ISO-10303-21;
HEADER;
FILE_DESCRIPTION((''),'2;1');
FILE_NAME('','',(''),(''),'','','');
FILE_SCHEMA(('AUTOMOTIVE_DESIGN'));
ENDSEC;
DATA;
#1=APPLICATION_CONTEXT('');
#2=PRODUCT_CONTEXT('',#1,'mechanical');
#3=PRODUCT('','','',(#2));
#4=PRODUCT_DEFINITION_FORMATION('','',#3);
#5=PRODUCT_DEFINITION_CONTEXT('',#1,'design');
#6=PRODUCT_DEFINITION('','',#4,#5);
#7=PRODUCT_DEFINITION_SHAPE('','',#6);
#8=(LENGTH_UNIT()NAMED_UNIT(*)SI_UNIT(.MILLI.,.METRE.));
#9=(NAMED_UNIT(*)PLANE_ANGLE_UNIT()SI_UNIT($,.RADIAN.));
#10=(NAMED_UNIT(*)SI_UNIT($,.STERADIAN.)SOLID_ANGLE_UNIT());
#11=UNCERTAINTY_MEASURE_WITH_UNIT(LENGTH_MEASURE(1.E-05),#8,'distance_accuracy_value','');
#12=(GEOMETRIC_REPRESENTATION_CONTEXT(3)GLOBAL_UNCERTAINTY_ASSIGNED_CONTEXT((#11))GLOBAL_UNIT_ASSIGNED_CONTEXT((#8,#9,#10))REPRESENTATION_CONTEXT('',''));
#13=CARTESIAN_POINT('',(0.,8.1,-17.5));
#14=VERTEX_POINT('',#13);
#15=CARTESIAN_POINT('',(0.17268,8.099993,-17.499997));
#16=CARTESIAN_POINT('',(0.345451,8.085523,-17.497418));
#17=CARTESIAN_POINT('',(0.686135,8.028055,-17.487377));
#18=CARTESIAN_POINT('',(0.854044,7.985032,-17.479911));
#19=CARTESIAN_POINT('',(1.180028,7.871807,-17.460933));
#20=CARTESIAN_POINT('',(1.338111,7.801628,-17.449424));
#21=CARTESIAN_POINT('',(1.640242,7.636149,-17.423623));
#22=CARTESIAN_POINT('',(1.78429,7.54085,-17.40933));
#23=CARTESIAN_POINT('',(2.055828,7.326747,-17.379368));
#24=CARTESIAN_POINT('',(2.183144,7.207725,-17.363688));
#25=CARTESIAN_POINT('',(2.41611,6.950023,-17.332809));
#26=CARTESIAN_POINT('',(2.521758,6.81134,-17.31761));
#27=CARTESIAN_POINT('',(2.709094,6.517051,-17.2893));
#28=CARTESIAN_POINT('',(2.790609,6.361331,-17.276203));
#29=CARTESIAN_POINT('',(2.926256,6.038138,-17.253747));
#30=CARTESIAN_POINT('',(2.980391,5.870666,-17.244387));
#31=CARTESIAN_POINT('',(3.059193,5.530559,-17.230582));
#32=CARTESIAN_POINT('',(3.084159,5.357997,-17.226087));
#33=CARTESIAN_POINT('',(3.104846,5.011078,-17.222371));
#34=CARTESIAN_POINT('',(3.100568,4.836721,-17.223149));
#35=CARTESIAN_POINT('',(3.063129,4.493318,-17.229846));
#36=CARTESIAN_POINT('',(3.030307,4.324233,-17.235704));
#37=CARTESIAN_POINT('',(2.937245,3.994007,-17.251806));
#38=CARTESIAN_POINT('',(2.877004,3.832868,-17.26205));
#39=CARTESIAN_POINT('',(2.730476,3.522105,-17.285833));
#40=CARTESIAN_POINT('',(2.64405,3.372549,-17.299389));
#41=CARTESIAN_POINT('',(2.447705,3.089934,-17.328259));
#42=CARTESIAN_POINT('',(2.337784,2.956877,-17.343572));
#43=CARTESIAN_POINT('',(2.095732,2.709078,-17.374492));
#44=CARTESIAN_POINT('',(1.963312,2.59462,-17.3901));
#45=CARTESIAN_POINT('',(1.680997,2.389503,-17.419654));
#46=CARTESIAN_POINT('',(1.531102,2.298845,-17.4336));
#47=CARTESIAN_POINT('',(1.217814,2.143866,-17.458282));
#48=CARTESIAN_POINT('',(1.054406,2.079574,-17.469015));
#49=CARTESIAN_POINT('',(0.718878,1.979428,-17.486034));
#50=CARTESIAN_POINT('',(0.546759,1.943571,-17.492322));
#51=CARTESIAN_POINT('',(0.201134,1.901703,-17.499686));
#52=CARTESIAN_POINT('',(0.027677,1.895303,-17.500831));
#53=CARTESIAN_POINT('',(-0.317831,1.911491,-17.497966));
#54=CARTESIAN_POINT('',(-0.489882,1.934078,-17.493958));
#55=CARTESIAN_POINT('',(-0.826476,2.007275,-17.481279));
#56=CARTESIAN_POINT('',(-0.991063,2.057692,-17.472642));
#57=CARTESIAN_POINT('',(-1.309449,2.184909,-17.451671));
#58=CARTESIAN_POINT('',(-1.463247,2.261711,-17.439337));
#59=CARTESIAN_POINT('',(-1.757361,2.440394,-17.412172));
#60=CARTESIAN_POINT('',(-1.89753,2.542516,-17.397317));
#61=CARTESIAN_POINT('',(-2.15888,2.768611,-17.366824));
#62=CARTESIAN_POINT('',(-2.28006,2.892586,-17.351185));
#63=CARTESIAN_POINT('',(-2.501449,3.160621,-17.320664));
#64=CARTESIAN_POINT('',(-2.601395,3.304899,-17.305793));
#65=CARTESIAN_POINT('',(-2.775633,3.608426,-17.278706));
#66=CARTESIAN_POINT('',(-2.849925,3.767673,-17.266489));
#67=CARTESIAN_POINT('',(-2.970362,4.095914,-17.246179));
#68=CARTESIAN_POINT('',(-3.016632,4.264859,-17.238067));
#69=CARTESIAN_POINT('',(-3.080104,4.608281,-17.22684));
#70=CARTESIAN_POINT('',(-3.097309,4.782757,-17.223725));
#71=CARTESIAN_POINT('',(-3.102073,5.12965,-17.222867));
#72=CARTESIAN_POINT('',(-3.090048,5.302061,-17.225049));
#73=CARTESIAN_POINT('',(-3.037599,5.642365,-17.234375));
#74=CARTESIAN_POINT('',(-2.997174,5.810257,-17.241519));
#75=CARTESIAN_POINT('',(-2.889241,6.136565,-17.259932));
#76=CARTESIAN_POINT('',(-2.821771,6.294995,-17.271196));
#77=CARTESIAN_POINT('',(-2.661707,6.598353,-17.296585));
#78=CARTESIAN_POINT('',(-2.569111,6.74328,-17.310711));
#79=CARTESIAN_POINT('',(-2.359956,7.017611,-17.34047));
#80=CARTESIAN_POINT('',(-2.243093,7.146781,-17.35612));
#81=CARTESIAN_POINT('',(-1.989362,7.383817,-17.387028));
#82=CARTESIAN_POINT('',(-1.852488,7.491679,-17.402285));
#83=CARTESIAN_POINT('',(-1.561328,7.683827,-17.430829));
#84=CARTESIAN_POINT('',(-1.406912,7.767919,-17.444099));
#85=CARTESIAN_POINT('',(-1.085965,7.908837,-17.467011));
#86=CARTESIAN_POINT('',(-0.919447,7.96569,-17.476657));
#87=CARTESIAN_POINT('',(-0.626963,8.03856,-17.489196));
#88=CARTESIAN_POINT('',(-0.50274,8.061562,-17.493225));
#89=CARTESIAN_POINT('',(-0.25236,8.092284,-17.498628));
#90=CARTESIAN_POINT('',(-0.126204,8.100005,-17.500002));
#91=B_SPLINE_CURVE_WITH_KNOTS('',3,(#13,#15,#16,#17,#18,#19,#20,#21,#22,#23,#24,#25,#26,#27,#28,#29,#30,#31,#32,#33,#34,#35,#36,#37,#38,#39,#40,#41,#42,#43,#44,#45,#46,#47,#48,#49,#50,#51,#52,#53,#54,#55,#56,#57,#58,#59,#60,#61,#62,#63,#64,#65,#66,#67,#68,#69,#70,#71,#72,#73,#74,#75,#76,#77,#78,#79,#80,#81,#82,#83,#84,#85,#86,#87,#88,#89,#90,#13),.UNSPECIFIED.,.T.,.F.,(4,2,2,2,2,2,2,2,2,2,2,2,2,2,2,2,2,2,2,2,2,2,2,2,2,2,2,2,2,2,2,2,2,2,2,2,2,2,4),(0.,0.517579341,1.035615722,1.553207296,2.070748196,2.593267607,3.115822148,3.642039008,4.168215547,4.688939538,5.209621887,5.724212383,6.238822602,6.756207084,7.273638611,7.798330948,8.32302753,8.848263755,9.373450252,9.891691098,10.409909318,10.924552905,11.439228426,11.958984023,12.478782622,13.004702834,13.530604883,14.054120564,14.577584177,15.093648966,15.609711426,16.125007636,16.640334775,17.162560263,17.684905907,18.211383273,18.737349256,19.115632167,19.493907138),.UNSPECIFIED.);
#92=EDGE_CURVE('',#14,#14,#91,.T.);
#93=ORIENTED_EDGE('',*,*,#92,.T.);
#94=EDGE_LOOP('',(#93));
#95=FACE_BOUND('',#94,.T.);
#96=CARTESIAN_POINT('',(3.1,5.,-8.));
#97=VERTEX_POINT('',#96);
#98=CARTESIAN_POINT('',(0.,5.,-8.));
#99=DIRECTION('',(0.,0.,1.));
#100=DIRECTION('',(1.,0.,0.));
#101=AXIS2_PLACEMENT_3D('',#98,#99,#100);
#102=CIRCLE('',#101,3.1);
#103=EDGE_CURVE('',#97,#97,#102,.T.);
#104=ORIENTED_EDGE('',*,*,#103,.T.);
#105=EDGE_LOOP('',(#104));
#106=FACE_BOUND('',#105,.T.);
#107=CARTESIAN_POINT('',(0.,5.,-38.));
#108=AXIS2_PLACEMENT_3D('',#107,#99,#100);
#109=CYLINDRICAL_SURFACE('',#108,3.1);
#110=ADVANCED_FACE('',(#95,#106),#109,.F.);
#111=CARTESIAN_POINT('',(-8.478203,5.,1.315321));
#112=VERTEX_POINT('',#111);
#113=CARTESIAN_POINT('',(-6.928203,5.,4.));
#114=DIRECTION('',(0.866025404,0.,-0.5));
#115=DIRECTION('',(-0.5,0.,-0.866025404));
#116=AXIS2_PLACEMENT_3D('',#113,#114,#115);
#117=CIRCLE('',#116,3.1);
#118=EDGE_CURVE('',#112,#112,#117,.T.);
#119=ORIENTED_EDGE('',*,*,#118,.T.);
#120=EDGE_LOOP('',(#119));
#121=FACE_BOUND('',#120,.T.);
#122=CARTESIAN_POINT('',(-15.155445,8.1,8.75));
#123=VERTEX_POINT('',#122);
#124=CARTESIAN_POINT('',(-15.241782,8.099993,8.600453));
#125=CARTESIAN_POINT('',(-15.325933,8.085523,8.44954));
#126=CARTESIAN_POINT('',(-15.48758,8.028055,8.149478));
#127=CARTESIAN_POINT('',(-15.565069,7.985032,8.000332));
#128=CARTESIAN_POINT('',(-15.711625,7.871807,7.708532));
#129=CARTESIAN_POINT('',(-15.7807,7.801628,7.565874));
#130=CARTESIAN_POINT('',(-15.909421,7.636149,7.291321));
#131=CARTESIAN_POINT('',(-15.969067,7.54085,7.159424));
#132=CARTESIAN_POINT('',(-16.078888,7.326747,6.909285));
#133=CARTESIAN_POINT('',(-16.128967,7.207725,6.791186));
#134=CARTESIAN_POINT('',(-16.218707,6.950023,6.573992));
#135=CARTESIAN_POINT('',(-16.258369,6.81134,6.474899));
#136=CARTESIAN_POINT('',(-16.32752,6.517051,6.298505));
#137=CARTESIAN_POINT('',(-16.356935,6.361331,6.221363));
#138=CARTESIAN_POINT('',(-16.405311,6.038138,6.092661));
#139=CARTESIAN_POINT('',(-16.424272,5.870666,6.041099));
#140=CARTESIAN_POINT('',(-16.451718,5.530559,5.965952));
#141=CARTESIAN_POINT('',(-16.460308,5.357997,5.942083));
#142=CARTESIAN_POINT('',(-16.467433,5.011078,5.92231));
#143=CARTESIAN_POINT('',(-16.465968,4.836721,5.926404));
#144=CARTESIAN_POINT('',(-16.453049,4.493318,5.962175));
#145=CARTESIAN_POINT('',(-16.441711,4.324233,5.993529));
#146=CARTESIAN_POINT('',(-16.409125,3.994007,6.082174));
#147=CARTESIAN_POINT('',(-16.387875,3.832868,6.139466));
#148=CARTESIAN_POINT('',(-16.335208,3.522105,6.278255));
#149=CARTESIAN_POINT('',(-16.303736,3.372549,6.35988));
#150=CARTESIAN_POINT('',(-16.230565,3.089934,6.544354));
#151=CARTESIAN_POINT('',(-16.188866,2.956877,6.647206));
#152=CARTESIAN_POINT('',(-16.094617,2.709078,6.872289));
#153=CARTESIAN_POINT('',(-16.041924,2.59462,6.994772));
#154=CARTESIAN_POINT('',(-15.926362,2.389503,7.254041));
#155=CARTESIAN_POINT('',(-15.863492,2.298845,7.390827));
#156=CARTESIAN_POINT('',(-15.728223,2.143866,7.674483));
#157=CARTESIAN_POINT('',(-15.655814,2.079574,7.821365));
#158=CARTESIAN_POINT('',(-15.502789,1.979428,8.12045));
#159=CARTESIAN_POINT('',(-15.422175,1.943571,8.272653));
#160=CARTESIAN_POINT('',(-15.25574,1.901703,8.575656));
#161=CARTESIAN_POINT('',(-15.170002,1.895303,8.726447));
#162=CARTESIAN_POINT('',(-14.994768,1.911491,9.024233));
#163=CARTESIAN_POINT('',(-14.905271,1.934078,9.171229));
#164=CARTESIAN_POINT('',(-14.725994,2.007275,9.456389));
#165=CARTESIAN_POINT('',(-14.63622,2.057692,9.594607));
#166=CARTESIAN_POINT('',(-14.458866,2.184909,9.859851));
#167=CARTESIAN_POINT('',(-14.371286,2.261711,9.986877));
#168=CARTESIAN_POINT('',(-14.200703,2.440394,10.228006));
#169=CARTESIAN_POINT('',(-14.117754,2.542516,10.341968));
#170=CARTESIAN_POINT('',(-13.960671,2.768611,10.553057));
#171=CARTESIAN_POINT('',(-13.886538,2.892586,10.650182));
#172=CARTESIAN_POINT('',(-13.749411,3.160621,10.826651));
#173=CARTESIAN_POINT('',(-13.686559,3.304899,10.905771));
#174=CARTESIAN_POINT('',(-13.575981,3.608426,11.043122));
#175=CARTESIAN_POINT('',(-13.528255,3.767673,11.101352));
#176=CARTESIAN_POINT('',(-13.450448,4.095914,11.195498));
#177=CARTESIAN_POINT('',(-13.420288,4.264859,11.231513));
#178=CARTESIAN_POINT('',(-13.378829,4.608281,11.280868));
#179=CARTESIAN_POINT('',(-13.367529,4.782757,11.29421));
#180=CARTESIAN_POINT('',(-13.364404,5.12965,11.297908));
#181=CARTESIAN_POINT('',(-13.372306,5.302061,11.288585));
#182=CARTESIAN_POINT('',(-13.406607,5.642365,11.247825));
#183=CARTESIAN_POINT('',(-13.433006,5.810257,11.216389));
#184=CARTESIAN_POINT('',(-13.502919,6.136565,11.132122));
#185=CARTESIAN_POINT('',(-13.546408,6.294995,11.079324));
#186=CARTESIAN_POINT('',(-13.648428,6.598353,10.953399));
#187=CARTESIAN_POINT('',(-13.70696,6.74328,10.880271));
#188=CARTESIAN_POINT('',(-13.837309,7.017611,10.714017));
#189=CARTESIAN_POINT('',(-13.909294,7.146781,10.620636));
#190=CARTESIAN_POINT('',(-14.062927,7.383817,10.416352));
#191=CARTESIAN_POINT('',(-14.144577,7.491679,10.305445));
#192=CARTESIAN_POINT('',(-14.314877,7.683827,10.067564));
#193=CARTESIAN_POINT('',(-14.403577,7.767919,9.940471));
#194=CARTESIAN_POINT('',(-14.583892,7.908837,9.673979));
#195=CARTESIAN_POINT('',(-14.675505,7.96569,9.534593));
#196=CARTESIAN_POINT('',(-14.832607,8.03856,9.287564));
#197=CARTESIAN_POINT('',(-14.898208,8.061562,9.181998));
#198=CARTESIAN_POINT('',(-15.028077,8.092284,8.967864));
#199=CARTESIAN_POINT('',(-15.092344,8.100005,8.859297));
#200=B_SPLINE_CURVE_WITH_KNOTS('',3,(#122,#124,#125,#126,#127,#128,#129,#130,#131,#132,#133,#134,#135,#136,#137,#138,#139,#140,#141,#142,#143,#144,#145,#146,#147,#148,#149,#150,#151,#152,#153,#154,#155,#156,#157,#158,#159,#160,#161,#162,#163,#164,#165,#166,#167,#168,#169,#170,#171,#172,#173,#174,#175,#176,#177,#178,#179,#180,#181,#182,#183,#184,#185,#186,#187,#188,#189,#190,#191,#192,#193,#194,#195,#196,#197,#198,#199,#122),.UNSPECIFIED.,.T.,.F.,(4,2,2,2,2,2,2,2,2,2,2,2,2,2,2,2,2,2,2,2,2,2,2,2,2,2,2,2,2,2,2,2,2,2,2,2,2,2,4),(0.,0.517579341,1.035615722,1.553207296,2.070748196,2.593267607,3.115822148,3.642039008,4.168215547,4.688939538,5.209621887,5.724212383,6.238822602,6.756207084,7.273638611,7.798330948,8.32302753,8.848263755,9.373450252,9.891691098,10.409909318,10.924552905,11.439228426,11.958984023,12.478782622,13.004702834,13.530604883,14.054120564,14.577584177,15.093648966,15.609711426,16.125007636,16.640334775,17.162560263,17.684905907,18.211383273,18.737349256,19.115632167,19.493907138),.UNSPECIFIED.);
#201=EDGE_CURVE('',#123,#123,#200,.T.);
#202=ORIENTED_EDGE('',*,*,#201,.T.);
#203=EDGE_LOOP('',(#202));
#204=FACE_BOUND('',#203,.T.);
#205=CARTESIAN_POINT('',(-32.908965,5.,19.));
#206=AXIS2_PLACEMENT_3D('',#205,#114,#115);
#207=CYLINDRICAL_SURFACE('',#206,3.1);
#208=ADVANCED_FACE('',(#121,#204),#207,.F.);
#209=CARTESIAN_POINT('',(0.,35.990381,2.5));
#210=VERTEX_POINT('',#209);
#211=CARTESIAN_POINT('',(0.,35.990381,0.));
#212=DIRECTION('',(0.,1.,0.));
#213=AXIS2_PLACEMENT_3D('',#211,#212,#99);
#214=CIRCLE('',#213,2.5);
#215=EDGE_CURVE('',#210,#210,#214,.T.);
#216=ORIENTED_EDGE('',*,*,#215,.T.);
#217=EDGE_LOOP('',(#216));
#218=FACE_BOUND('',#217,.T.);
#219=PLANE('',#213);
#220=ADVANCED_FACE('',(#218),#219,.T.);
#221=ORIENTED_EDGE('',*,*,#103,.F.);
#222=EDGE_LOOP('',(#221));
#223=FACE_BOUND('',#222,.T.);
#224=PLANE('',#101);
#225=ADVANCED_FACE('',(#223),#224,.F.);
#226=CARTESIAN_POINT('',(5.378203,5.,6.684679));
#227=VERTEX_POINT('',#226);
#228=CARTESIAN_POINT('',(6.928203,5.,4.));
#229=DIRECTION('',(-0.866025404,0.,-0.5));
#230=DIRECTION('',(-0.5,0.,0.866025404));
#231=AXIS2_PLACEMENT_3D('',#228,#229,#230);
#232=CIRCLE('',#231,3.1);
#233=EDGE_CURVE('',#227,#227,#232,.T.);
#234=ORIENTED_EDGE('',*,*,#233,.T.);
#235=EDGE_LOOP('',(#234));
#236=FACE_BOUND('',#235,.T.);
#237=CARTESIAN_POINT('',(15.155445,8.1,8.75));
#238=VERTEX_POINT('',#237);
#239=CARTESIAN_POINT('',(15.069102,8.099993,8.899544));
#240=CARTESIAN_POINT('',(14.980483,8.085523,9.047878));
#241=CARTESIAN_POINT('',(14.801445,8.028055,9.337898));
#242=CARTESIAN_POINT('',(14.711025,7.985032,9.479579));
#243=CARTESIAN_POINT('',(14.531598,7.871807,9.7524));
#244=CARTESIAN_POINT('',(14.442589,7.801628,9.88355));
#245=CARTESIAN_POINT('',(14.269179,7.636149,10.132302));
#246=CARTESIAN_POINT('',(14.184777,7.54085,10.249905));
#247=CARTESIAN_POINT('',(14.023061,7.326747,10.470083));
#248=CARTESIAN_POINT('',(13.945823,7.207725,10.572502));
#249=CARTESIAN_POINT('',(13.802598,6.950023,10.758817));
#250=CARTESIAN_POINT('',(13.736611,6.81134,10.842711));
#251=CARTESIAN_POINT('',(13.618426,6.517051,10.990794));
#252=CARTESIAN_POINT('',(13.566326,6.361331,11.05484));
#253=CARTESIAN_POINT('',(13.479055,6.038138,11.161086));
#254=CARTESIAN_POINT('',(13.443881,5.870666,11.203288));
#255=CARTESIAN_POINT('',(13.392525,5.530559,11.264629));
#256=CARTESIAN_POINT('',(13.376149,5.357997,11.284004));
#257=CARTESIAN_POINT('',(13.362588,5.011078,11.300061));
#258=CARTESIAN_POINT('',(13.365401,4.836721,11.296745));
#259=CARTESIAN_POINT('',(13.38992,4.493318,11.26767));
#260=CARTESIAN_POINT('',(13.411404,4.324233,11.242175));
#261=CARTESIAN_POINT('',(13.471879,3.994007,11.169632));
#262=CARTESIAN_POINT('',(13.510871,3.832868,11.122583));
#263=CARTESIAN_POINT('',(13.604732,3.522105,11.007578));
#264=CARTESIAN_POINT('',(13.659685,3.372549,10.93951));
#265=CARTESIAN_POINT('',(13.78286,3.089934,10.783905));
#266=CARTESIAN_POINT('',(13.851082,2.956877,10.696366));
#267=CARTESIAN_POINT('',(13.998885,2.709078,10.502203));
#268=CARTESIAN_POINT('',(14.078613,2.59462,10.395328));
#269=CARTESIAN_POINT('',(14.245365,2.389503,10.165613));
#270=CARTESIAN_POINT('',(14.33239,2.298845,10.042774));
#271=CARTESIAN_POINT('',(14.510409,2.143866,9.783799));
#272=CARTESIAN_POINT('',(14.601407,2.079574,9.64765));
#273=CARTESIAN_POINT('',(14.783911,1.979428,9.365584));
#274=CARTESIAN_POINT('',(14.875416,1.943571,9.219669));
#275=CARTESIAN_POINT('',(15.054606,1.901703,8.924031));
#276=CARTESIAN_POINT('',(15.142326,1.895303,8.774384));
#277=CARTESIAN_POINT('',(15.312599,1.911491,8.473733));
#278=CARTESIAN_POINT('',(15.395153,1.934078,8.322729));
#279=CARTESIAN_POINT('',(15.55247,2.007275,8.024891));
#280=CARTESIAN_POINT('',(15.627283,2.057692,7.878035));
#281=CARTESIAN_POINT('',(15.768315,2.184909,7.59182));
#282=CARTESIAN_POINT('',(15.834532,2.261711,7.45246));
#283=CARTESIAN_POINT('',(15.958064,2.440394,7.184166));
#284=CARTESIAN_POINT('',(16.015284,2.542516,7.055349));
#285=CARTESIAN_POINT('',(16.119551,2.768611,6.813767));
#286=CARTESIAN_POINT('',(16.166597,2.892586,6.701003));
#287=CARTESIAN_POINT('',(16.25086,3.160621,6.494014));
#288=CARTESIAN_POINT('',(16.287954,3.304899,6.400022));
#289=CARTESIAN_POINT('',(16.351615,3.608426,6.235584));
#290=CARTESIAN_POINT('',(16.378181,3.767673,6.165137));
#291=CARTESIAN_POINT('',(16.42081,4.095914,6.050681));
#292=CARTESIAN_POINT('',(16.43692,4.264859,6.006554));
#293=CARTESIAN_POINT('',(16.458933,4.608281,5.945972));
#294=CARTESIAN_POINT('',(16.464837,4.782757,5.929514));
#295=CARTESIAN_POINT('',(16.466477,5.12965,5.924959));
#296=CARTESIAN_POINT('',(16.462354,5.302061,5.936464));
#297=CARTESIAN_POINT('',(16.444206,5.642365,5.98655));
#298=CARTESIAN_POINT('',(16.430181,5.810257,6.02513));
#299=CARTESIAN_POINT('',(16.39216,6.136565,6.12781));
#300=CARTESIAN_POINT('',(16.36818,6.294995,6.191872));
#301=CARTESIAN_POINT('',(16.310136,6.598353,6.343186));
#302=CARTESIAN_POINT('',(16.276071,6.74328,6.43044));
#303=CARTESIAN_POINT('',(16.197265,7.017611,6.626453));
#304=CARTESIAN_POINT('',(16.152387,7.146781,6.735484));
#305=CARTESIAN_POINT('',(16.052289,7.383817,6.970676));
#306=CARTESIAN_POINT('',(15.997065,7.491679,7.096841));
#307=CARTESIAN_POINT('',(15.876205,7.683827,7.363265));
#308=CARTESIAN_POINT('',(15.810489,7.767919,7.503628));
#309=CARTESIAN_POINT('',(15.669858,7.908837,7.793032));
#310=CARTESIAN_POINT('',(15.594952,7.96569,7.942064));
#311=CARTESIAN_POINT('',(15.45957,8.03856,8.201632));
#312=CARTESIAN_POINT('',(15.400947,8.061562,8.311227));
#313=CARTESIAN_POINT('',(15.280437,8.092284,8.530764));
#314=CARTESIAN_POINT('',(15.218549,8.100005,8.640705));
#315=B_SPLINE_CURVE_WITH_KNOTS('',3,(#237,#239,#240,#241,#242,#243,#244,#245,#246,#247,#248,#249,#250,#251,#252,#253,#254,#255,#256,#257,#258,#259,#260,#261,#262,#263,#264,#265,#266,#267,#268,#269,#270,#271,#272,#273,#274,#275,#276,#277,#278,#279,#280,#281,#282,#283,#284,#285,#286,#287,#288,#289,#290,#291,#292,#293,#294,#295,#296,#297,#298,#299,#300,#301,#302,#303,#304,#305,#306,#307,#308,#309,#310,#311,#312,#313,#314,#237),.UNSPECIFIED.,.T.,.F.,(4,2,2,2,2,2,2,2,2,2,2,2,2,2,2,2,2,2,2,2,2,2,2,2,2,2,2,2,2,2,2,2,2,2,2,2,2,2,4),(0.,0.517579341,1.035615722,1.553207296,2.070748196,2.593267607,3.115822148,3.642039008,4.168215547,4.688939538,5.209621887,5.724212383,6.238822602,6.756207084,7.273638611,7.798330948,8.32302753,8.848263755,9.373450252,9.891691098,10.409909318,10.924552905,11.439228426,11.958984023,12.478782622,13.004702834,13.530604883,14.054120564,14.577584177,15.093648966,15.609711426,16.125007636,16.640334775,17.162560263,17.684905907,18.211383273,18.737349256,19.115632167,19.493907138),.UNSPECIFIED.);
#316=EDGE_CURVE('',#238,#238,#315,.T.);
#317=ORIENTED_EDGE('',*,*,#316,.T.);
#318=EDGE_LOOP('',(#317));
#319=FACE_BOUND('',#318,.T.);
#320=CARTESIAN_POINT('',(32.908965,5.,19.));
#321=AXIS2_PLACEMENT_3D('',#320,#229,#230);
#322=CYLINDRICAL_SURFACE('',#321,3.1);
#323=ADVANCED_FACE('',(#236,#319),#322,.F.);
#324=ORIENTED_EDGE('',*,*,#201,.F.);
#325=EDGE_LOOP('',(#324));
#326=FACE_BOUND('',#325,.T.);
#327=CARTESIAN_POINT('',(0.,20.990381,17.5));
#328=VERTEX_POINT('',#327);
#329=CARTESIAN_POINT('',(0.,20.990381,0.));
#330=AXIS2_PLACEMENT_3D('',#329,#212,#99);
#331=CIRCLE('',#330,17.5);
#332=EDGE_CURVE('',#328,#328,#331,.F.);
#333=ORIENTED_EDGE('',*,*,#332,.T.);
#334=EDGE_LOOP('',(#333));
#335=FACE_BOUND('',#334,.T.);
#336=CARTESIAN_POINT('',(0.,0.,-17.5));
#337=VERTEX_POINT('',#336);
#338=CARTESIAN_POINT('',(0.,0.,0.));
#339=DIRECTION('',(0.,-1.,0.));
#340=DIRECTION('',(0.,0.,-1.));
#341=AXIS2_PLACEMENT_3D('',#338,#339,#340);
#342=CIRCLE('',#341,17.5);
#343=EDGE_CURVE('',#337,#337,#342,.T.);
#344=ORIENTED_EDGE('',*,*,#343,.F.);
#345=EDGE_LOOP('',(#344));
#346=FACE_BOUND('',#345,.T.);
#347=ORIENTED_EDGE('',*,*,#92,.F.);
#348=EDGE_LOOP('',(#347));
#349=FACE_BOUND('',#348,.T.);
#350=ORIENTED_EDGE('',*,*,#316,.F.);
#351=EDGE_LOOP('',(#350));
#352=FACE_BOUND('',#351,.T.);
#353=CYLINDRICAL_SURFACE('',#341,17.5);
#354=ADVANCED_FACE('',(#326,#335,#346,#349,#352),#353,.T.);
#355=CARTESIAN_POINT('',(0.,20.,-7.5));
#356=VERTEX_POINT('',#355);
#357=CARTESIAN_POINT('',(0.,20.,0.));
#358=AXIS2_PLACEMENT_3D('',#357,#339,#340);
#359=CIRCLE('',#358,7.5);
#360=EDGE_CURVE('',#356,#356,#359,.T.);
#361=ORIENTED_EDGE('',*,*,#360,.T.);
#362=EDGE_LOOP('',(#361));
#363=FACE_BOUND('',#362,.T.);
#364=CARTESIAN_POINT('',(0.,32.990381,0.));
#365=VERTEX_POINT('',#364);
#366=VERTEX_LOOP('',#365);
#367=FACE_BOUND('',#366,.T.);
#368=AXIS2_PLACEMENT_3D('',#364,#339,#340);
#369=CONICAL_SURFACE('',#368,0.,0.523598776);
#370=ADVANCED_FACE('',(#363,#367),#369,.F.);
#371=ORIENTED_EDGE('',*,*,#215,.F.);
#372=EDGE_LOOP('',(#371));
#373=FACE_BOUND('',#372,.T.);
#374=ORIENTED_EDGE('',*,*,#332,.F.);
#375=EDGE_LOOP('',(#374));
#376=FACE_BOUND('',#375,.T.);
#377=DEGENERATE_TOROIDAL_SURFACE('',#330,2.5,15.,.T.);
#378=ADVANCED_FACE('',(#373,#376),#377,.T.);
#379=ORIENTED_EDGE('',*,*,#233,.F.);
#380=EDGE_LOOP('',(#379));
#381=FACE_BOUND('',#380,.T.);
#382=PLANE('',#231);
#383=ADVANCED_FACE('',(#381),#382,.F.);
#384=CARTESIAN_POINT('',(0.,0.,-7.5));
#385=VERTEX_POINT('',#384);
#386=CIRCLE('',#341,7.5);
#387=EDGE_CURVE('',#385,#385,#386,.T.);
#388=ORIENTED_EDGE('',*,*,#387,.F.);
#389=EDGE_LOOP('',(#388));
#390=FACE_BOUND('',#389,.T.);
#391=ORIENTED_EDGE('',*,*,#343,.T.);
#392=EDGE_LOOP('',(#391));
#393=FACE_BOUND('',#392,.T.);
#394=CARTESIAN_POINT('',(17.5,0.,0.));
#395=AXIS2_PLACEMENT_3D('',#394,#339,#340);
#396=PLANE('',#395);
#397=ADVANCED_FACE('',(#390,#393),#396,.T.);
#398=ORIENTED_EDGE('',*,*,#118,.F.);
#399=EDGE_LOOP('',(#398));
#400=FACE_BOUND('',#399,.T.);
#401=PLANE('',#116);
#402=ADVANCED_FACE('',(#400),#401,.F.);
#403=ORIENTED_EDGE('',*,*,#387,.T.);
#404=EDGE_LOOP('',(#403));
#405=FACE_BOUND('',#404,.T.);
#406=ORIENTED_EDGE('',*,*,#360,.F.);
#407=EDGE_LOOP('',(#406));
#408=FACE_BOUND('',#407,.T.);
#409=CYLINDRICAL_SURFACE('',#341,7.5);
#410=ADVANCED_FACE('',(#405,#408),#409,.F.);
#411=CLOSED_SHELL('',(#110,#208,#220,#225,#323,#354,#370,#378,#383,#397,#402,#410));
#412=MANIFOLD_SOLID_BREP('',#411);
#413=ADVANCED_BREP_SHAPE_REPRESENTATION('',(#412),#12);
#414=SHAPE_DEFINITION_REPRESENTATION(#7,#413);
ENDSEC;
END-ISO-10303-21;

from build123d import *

# Parameters (mm, degrees)
ENL_V_START                  = -8
ESQUISSE2_R                  = 3.1
ENL_V_MAT_EXTRU_1_DEPTH      = 30
R_P_TITION_CIRCULAIRE1_COUNT = 3
CONG_1_R                     = 15


with BuildPart() as part:
    # Esquisse1 → Révolution1 (revolve)
    with BuildSketch(Plane.XY, mode=Mode.PRIVATE) as r_volution1_sk:
        Polygon((7.5, 20), (0, 32.990381057), (0, 35.990381057), (17.5, 35.990381057), (17.5, 0), (7.5, 0), align=None)
    revolve(r_volution1_sk.sketch.rotate(Axis((0, 0, 0), (0, 1, 0)), 90), axis=Axis((0, 0, 0), (0, 1, 0)))

    # Esquisse2 → Enlèv. mat.-Extru.1 (cut)
    with BuildSketch(Plane.XY.offset(ENL_V_START)):
        with Locations((0, 5)):
            Circle(ESQUISSE2_R)
    enl_v_mat_extru_1 = extrude(amount=-ENL_V_MAT_EXTRU_1_DEPTH, mode=Mode.SUBTRACT)

    # Répétition circulaire1: Enlèv. mat.-Extru.1 ×3 about axis
    r_p_tition_circulaire1_axis = Axis((0, 0, 0), (0, 1, 0))
    for i in range(1, R_P_TITION_CIRCULAIRE1_COUNT):
        add(enl_v_mat_extru_1.rotate(r_p_tition_circulaire1_axis, i * 360 / R_P_TITION_CIRCULAIRE1_COUNT), mode=Mode.SUBTRACT)

    # Congé1
    cong_1_edges = [part.edges().sort_by_distance(p)[0] for p in [
        (0, 35.990381057, 17.5),
    ]]
    fillet(cong_1_edges, radius=CONG_1_R)


solid = part.part
